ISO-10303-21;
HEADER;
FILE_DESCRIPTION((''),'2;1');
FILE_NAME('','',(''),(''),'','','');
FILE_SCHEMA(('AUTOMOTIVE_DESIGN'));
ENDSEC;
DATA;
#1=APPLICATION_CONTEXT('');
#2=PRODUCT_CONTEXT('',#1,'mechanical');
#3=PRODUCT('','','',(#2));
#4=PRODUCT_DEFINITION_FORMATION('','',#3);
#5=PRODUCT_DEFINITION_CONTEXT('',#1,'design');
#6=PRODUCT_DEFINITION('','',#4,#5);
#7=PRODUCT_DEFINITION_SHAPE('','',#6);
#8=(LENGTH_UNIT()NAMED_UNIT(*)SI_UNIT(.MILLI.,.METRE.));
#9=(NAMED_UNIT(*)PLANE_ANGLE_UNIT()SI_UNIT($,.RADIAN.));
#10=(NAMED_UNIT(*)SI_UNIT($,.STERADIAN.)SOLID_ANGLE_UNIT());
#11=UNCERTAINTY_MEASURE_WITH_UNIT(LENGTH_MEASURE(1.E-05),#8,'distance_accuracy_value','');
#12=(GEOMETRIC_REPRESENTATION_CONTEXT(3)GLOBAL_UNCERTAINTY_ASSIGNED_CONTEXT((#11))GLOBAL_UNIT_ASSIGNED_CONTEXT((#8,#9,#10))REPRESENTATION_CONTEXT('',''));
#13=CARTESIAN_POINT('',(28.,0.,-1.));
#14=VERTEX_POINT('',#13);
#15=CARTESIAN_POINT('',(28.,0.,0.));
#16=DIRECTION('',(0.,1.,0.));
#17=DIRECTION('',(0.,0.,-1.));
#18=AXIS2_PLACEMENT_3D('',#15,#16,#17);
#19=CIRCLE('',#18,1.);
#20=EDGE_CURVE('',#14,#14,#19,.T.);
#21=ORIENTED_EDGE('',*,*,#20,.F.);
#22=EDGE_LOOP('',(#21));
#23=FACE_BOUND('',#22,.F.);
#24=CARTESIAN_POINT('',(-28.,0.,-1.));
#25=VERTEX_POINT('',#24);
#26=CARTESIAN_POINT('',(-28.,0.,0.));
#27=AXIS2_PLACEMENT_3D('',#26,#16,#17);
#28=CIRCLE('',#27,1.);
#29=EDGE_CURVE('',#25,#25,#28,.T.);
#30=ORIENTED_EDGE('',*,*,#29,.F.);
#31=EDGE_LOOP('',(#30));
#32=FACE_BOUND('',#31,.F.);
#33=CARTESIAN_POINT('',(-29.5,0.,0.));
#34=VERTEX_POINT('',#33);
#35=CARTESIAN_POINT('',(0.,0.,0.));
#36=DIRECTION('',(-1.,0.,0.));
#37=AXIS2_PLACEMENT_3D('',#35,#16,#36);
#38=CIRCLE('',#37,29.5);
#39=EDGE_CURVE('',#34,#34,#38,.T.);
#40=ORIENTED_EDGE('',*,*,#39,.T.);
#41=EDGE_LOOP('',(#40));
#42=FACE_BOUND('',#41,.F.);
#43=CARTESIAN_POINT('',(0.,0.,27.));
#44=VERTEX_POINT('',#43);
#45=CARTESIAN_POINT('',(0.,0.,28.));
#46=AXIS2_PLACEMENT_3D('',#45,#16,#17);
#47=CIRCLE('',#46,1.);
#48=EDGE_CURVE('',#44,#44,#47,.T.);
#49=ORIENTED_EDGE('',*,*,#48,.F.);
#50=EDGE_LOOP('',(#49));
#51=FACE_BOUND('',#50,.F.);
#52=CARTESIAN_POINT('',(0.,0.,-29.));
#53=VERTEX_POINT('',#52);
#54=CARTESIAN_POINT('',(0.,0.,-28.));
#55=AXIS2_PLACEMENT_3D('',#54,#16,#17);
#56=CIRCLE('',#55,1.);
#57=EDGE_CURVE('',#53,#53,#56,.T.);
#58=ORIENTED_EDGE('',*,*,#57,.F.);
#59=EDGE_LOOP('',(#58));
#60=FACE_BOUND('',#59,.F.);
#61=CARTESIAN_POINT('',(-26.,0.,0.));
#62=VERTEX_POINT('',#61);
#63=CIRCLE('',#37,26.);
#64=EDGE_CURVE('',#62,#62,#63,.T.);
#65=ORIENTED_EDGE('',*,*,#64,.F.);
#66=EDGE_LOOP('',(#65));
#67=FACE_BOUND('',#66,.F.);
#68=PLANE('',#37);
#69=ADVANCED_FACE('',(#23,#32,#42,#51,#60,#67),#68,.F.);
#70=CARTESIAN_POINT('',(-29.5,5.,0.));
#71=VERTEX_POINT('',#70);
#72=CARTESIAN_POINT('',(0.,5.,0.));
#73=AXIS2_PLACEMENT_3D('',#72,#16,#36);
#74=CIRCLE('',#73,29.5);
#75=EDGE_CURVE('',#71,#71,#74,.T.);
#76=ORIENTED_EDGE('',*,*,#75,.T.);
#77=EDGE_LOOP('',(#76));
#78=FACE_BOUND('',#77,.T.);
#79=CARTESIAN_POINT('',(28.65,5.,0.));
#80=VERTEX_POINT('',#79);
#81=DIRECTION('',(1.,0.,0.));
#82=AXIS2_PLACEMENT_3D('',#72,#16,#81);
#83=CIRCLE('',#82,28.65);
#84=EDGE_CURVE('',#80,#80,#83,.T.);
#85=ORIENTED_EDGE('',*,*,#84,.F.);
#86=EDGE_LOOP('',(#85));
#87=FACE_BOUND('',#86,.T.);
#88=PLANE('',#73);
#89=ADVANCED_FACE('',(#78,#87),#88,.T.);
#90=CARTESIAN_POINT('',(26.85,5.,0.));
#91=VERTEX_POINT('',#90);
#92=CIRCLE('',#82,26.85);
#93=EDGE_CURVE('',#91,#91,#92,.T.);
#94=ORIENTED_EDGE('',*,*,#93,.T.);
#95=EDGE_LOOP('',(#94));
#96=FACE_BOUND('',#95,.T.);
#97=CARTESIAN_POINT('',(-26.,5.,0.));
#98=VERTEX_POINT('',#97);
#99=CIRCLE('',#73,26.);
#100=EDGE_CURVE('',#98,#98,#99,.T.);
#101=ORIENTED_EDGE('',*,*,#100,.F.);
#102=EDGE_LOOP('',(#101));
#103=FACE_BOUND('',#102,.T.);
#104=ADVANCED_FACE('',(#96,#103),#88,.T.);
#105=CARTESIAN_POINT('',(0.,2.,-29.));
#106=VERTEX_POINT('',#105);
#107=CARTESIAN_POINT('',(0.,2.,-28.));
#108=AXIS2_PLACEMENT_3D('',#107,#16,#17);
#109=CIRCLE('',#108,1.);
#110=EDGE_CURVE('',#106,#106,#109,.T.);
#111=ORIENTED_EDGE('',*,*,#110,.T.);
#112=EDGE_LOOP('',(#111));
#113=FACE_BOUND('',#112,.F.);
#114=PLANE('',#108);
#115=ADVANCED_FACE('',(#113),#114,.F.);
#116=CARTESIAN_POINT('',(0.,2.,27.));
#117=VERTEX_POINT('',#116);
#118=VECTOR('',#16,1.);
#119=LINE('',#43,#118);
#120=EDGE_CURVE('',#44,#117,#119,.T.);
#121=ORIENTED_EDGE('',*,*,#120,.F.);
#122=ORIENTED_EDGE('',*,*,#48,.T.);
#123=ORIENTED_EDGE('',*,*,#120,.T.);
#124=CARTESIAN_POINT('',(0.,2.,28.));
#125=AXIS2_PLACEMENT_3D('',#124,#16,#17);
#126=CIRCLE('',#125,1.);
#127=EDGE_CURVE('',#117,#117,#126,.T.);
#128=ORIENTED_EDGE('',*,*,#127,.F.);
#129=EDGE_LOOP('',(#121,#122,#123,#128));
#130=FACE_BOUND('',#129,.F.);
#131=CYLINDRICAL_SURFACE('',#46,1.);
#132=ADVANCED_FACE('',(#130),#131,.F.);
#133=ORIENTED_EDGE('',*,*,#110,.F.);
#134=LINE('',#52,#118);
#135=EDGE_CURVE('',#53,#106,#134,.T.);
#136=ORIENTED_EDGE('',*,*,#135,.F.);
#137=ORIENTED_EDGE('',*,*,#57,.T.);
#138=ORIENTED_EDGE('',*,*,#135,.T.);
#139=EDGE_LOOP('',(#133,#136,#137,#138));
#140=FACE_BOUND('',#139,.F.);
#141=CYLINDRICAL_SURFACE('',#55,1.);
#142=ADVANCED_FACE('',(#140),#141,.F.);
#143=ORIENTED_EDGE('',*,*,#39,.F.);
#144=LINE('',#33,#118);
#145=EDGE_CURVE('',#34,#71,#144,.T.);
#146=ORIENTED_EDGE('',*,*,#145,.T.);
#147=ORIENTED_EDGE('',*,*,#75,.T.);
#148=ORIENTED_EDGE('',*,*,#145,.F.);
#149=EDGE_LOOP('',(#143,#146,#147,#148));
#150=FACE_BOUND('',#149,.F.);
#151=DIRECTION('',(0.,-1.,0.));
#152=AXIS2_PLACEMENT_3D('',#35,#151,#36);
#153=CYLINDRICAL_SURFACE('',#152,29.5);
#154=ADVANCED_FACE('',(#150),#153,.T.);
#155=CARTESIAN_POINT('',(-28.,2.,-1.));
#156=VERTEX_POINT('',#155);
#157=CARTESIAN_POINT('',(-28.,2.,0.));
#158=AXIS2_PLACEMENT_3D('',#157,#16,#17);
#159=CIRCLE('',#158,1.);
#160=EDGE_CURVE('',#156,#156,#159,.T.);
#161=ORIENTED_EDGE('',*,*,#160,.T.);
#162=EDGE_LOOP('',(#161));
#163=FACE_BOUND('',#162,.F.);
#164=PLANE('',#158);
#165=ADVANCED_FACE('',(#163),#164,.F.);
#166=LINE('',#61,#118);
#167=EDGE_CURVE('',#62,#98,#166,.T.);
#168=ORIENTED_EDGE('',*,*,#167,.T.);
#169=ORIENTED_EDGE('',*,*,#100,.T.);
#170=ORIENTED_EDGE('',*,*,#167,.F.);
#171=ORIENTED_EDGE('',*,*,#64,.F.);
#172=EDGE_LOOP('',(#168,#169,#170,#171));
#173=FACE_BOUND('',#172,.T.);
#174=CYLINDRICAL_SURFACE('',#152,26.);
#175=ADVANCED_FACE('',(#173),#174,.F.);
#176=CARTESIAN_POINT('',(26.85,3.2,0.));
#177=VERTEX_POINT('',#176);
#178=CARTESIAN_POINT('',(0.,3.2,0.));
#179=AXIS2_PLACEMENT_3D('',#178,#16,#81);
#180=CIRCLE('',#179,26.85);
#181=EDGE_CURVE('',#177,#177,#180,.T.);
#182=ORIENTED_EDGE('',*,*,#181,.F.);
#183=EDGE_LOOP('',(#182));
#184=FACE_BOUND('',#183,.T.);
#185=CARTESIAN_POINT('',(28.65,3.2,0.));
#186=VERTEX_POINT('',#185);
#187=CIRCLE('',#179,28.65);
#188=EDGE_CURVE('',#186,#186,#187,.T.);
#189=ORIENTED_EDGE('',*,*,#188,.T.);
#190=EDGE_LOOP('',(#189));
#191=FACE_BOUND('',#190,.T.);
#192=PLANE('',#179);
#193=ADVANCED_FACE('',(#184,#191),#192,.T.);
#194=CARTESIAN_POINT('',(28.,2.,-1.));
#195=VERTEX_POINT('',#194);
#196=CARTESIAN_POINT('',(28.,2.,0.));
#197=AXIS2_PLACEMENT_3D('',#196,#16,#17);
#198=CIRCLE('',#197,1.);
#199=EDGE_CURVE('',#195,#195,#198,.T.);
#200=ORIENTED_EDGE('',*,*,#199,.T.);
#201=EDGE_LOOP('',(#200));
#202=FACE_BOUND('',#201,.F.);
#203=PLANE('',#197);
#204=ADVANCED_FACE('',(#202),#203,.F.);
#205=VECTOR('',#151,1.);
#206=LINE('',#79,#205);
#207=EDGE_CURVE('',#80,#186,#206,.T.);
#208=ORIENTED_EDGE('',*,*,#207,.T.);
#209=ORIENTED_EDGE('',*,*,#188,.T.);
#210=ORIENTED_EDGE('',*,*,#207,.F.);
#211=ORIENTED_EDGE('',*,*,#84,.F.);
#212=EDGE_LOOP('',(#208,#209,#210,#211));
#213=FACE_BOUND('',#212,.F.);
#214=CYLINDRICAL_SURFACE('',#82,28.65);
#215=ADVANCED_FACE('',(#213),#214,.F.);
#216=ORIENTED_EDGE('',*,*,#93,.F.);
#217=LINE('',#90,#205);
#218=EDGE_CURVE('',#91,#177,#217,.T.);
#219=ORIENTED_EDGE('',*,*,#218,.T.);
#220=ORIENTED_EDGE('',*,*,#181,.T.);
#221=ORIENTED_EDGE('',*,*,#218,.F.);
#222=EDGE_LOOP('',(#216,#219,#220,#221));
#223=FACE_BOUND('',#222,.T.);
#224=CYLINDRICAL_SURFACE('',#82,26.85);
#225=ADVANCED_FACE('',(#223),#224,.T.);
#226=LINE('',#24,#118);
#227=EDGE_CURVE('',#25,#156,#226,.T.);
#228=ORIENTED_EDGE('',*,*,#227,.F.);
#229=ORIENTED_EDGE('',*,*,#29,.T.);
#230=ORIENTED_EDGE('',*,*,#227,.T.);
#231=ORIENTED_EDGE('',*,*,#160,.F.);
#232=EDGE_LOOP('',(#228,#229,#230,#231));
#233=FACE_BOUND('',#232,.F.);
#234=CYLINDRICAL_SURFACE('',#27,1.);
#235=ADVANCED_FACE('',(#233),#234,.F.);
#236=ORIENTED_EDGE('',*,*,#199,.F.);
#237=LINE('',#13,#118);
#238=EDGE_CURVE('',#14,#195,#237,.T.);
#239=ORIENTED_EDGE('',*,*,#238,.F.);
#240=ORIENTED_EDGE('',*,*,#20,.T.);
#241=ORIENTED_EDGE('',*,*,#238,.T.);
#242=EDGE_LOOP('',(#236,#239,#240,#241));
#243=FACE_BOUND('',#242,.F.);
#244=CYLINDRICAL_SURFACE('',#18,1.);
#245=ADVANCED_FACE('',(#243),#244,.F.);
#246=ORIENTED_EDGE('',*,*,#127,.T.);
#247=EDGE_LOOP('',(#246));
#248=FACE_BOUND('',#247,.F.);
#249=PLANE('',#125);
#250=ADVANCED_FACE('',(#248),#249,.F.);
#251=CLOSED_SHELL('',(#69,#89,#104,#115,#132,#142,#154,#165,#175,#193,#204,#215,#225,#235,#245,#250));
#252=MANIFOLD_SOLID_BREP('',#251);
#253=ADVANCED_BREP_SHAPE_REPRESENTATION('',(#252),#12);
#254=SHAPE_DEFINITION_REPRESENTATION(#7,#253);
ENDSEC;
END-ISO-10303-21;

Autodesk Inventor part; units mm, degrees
ref_plane "YZ Plane" through (0, 0, 0) normal (1, 0, 0) x (0, 1, 0)
ref_plane "XY Plane" through (0, 0, 0) normal (0, 0, 1) x (1, 0, 0)
sketch "Sketch14" plane through (0, 0, 0) normal (0, 1, 0) x (-1, 0, 0)
  circle A0 centre (0, 0) radius 26
  circle A1 centre (0, 0) radius 29.5
  dimension "d122" = 52
  dimension "d123" = 59
extrude "Extrusion3" add sketch "Sketch14" along normal blind 5
sketch "Sketch15" plane through (0, 5, 0) normal (0, 1, 0) x (1, 0, 0)
  circle A0 centre (0, 0) radius 26.85
  circle A1 centre (0, 0) radius 28.65
  dimension "d126" = 53.7
  dimension "d127" = 57.3
extrude "Extrusion4" cut sketch "Sketch15" against normal blind 1.8
ref_plane "Work Plane1" through (0, 4.1, 0) normal (0, 1, 0) x (-1, 0, 0)
sketch "Sketch16" plane through (0, 0, 0) normal (0, -1, 0) x (1, 0, 0)
  circle A0 centre (28, 0) radius 1
  point P0 (0, 0)
  dimension "d131" = 2
  dimension "d132" = 28
hole "Hole12" at (28, 0, 0) direction (0, 1, 0) diameter 2 depth 2
sketch "Sketch17" plane through (0, 0, 0) normal (0, -1, 0) x (1, 0, 0)
  circle A0 centre (0, -28) radius 1
  point P0 (0, 0)
  dimension "d140" = 2
  dimension "d141" = 28
hole "Hole13" at (0, 0, -28) direction (0, 1, 0) diameter 2 depth 2
sketch "Sketch18" plane through (0, 0, 0) normal (0, -1, 0) x (1, 0, 0)
  circle A0 centre (0, 28) radius 1
  point P0 (0, 0)
  dimension "d149" = 2
  dimension "d150" = 28
hole "Hole14" at (0, 0, 28) direction (0, 1, 0) diameter 2 depth 2
sketch "Sketch19" plane through (0, 0, 0) normal (0, -1, 0) x (1, 0, 0)
  circle A0 centre (-28, 0) radius 1
  point P0 (0, 0)
  dimension "d158" = 2
  dimension "d159" = 28
hole "Hole15" at (-28, 0, 0) direction (0, 1, 0) diameter 2 depth 2
thread "Thread5" size "M2x0.4" class "6H" standard "ANSI Metric M Profile" full length
thread "Thread6" size "M2x0.4" class "6H" standard "ANSI Metric M Profile" full length
thread "Thread7" size "M2x0.4" class "6H" standard "ANSI Metric M Profile" full length
thread "Thread8" size "M2x0.4" class "6H" standard "ANSI Metric M Profile" full length
properties part number "Cap"
